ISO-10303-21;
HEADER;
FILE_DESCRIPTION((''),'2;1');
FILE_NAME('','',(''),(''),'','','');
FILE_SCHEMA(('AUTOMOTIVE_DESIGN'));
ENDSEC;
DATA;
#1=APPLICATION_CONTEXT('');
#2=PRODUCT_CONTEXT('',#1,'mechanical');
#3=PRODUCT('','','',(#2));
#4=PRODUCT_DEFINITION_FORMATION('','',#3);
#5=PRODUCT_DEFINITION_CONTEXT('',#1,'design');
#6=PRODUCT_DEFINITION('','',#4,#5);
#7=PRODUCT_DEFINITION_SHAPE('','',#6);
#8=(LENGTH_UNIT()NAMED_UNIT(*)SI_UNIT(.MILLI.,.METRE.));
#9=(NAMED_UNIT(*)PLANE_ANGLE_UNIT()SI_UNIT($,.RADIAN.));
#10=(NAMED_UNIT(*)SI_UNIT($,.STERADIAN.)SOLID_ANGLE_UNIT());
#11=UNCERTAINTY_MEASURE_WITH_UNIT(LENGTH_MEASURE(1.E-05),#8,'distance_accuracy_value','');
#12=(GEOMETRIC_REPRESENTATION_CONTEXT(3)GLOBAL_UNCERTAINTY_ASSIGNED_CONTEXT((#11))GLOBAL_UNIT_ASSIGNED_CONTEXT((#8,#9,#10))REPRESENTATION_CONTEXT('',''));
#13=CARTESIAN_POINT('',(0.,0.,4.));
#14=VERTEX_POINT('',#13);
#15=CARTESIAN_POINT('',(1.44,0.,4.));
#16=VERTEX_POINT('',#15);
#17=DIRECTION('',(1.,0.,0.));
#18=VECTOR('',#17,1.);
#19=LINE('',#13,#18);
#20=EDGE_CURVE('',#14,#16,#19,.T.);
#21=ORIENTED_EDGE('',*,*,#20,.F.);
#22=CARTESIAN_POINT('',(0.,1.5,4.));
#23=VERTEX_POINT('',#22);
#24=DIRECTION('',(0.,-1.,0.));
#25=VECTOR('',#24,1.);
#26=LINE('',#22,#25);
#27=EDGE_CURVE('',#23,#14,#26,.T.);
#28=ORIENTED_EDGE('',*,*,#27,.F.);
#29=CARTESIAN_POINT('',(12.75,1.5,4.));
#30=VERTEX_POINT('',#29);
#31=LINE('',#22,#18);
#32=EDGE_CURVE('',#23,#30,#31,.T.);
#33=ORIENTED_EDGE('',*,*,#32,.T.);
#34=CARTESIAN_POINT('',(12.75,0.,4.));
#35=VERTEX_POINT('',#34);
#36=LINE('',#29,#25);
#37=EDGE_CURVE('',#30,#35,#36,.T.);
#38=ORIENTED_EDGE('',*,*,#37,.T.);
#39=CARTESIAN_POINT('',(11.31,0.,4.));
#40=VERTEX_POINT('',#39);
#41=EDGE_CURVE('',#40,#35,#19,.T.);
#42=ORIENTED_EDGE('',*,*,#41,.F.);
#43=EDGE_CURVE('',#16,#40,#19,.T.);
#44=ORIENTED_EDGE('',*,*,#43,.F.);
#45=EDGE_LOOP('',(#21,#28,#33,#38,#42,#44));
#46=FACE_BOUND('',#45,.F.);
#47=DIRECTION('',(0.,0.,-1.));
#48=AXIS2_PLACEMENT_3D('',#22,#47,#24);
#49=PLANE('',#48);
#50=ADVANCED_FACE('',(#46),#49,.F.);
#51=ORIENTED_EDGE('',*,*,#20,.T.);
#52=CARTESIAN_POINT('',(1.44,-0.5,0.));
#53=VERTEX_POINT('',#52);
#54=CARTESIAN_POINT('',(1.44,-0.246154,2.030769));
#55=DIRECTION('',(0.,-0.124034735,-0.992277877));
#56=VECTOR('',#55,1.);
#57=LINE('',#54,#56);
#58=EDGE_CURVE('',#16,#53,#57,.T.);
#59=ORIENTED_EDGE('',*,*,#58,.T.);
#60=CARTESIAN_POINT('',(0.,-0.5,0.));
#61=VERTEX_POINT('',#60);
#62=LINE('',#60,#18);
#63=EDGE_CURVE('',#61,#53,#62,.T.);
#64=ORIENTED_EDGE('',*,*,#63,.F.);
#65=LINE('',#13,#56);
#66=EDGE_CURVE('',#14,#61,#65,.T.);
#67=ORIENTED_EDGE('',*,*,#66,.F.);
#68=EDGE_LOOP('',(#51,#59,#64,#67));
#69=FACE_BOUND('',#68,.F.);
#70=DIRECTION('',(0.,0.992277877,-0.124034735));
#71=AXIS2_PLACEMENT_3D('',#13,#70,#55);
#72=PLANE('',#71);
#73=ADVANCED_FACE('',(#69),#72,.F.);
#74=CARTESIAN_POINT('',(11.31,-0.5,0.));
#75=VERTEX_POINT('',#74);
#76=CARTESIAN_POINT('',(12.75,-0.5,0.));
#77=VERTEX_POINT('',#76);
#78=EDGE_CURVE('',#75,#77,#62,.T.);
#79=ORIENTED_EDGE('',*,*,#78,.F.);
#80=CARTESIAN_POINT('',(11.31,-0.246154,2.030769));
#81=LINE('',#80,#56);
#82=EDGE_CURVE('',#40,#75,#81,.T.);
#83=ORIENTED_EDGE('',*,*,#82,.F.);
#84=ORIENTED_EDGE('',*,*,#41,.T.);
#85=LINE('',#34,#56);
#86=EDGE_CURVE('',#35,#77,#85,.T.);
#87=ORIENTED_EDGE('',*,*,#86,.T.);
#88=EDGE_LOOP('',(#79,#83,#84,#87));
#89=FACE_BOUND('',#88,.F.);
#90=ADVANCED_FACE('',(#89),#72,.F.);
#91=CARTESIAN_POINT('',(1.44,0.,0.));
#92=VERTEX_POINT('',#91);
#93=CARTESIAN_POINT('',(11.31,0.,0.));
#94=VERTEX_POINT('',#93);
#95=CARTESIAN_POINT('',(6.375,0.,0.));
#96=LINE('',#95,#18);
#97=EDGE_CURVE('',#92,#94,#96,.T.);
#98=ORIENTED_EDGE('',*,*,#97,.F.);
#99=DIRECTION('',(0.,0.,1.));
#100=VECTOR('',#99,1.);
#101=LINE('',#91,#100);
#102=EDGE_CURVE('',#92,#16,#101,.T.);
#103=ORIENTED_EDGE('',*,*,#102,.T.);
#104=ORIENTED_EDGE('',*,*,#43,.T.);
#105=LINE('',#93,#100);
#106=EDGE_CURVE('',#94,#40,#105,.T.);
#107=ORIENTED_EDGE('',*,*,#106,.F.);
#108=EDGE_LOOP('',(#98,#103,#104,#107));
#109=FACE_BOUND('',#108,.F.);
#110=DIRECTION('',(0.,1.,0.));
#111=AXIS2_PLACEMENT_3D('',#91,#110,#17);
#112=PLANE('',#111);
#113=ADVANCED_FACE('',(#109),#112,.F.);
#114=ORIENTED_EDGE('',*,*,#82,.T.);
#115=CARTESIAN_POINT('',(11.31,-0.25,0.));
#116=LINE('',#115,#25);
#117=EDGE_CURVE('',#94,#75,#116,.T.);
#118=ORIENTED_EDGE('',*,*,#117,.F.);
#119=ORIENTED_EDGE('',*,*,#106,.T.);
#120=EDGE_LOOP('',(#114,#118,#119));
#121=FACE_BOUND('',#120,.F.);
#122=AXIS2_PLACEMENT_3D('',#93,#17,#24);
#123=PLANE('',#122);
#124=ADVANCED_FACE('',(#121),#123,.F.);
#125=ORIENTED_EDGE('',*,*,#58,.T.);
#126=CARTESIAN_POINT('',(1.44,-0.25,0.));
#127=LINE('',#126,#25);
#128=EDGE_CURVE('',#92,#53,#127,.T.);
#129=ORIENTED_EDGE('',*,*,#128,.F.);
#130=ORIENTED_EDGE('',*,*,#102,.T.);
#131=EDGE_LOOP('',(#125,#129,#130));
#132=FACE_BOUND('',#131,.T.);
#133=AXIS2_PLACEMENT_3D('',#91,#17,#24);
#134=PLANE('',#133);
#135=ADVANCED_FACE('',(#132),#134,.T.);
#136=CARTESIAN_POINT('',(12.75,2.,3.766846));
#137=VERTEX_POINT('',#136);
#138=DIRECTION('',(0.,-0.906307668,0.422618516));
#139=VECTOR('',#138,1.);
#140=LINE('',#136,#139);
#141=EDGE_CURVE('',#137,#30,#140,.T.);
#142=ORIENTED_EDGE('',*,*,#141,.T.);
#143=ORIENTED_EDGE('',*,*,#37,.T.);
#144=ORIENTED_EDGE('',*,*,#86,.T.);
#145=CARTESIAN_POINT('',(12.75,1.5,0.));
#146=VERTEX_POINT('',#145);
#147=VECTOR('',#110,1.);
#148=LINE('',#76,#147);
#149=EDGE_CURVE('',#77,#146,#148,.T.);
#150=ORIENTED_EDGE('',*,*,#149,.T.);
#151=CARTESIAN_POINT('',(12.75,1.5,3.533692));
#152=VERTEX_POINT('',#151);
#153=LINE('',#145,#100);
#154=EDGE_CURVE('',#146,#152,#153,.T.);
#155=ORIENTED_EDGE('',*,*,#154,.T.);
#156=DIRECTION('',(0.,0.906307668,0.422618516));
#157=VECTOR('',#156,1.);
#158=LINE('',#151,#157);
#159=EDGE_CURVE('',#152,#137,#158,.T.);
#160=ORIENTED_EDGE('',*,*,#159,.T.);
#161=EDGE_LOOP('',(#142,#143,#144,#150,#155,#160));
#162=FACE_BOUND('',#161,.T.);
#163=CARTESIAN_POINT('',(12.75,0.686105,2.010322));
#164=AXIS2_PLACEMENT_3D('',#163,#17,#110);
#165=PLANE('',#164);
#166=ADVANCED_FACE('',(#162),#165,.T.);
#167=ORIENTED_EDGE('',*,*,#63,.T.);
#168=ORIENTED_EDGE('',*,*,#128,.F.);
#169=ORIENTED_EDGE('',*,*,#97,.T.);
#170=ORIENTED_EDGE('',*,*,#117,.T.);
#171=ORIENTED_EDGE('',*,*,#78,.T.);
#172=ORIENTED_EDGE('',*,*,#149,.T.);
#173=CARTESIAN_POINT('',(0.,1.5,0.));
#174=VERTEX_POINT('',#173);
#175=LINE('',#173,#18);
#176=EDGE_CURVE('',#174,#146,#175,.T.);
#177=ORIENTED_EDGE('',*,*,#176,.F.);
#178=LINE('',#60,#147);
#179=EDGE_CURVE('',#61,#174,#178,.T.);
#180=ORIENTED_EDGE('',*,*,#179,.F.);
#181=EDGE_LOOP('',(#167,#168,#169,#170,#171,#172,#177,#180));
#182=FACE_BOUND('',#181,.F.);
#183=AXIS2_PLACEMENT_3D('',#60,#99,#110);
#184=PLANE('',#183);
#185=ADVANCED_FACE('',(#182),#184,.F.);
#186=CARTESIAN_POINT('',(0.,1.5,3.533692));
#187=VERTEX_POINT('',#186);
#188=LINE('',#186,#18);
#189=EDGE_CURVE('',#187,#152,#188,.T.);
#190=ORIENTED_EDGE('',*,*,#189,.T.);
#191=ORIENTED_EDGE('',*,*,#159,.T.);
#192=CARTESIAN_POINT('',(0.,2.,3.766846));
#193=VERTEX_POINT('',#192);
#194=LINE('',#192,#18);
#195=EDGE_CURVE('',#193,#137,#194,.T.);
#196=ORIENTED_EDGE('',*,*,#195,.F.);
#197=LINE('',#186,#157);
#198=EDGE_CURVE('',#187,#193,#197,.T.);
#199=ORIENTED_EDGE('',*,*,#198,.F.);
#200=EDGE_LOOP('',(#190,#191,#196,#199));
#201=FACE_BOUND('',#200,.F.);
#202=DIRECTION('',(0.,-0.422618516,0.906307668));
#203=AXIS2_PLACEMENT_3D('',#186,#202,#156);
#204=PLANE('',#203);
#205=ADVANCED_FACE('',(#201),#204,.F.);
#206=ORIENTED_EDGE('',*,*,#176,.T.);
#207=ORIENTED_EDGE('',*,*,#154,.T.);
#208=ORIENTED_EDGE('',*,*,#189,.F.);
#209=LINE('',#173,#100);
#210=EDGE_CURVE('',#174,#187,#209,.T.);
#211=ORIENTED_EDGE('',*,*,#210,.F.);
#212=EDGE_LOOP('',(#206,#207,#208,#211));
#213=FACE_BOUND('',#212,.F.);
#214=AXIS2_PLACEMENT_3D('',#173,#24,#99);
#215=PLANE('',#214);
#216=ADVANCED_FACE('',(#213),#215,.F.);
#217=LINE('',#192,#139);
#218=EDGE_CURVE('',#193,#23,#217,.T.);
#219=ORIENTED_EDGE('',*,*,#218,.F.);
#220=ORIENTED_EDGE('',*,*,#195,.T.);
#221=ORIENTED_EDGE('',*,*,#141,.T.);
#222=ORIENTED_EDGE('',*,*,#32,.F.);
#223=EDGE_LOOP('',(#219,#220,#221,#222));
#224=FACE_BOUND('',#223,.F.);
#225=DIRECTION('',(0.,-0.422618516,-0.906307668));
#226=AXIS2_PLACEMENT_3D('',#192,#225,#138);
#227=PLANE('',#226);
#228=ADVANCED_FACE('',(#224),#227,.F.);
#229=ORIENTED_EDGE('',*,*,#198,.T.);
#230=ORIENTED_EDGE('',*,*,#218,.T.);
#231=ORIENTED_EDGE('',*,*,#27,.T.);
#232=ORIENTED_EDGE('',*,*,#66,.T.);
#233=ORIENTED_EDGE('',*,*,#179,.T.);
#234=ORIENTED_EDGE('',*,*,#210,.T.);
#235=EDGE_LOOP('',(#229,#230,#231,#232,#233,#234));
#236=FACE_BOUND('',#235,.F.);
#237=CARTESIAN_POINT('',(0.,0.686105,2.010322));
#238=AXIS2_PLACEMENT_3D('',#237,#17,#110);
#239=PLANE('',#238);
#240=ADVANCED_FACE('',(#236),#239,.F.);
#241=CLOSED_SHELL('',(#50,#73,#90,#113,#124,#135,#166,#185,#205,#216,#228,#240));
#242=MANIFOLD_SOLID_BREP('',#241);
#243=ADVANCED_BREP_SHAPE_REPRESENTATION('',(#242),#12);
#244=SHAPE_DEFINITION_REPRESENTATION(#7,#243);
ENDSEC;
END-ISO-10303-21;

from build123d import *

# Parameters (mm, degrees)
F1_DEPTH = 12.75
F2_W     = 9.87
F2_H     = 0.5
F3_DEPTH = 4.001


with BuildPart() as f1:
    # F0 (on Right) → F1 (new body)
    with BuildSketch(Plane.YZ):
        Polygon((1.5, 4), (0, 4), (-0.5, 0), (1.5, 0), (1.5, 3.533692), (2, 3.766846), align=None)
    extrude(amount=F1_DEPTH)

    # F2 (on face) → F3 (cut, through all)
    with BuildSketch(Plane(origin=(0, 0, 0), x_dir=(1, 0, 0), z_dir=(0, 0, -1))):
        with Locations((6.375, 0.25)):
            Rectangle(F2_W, F2_H)
    extrude(amount=-F3_DEPTH, mode=Mode.SUBTRACT)


solid = f1.part
